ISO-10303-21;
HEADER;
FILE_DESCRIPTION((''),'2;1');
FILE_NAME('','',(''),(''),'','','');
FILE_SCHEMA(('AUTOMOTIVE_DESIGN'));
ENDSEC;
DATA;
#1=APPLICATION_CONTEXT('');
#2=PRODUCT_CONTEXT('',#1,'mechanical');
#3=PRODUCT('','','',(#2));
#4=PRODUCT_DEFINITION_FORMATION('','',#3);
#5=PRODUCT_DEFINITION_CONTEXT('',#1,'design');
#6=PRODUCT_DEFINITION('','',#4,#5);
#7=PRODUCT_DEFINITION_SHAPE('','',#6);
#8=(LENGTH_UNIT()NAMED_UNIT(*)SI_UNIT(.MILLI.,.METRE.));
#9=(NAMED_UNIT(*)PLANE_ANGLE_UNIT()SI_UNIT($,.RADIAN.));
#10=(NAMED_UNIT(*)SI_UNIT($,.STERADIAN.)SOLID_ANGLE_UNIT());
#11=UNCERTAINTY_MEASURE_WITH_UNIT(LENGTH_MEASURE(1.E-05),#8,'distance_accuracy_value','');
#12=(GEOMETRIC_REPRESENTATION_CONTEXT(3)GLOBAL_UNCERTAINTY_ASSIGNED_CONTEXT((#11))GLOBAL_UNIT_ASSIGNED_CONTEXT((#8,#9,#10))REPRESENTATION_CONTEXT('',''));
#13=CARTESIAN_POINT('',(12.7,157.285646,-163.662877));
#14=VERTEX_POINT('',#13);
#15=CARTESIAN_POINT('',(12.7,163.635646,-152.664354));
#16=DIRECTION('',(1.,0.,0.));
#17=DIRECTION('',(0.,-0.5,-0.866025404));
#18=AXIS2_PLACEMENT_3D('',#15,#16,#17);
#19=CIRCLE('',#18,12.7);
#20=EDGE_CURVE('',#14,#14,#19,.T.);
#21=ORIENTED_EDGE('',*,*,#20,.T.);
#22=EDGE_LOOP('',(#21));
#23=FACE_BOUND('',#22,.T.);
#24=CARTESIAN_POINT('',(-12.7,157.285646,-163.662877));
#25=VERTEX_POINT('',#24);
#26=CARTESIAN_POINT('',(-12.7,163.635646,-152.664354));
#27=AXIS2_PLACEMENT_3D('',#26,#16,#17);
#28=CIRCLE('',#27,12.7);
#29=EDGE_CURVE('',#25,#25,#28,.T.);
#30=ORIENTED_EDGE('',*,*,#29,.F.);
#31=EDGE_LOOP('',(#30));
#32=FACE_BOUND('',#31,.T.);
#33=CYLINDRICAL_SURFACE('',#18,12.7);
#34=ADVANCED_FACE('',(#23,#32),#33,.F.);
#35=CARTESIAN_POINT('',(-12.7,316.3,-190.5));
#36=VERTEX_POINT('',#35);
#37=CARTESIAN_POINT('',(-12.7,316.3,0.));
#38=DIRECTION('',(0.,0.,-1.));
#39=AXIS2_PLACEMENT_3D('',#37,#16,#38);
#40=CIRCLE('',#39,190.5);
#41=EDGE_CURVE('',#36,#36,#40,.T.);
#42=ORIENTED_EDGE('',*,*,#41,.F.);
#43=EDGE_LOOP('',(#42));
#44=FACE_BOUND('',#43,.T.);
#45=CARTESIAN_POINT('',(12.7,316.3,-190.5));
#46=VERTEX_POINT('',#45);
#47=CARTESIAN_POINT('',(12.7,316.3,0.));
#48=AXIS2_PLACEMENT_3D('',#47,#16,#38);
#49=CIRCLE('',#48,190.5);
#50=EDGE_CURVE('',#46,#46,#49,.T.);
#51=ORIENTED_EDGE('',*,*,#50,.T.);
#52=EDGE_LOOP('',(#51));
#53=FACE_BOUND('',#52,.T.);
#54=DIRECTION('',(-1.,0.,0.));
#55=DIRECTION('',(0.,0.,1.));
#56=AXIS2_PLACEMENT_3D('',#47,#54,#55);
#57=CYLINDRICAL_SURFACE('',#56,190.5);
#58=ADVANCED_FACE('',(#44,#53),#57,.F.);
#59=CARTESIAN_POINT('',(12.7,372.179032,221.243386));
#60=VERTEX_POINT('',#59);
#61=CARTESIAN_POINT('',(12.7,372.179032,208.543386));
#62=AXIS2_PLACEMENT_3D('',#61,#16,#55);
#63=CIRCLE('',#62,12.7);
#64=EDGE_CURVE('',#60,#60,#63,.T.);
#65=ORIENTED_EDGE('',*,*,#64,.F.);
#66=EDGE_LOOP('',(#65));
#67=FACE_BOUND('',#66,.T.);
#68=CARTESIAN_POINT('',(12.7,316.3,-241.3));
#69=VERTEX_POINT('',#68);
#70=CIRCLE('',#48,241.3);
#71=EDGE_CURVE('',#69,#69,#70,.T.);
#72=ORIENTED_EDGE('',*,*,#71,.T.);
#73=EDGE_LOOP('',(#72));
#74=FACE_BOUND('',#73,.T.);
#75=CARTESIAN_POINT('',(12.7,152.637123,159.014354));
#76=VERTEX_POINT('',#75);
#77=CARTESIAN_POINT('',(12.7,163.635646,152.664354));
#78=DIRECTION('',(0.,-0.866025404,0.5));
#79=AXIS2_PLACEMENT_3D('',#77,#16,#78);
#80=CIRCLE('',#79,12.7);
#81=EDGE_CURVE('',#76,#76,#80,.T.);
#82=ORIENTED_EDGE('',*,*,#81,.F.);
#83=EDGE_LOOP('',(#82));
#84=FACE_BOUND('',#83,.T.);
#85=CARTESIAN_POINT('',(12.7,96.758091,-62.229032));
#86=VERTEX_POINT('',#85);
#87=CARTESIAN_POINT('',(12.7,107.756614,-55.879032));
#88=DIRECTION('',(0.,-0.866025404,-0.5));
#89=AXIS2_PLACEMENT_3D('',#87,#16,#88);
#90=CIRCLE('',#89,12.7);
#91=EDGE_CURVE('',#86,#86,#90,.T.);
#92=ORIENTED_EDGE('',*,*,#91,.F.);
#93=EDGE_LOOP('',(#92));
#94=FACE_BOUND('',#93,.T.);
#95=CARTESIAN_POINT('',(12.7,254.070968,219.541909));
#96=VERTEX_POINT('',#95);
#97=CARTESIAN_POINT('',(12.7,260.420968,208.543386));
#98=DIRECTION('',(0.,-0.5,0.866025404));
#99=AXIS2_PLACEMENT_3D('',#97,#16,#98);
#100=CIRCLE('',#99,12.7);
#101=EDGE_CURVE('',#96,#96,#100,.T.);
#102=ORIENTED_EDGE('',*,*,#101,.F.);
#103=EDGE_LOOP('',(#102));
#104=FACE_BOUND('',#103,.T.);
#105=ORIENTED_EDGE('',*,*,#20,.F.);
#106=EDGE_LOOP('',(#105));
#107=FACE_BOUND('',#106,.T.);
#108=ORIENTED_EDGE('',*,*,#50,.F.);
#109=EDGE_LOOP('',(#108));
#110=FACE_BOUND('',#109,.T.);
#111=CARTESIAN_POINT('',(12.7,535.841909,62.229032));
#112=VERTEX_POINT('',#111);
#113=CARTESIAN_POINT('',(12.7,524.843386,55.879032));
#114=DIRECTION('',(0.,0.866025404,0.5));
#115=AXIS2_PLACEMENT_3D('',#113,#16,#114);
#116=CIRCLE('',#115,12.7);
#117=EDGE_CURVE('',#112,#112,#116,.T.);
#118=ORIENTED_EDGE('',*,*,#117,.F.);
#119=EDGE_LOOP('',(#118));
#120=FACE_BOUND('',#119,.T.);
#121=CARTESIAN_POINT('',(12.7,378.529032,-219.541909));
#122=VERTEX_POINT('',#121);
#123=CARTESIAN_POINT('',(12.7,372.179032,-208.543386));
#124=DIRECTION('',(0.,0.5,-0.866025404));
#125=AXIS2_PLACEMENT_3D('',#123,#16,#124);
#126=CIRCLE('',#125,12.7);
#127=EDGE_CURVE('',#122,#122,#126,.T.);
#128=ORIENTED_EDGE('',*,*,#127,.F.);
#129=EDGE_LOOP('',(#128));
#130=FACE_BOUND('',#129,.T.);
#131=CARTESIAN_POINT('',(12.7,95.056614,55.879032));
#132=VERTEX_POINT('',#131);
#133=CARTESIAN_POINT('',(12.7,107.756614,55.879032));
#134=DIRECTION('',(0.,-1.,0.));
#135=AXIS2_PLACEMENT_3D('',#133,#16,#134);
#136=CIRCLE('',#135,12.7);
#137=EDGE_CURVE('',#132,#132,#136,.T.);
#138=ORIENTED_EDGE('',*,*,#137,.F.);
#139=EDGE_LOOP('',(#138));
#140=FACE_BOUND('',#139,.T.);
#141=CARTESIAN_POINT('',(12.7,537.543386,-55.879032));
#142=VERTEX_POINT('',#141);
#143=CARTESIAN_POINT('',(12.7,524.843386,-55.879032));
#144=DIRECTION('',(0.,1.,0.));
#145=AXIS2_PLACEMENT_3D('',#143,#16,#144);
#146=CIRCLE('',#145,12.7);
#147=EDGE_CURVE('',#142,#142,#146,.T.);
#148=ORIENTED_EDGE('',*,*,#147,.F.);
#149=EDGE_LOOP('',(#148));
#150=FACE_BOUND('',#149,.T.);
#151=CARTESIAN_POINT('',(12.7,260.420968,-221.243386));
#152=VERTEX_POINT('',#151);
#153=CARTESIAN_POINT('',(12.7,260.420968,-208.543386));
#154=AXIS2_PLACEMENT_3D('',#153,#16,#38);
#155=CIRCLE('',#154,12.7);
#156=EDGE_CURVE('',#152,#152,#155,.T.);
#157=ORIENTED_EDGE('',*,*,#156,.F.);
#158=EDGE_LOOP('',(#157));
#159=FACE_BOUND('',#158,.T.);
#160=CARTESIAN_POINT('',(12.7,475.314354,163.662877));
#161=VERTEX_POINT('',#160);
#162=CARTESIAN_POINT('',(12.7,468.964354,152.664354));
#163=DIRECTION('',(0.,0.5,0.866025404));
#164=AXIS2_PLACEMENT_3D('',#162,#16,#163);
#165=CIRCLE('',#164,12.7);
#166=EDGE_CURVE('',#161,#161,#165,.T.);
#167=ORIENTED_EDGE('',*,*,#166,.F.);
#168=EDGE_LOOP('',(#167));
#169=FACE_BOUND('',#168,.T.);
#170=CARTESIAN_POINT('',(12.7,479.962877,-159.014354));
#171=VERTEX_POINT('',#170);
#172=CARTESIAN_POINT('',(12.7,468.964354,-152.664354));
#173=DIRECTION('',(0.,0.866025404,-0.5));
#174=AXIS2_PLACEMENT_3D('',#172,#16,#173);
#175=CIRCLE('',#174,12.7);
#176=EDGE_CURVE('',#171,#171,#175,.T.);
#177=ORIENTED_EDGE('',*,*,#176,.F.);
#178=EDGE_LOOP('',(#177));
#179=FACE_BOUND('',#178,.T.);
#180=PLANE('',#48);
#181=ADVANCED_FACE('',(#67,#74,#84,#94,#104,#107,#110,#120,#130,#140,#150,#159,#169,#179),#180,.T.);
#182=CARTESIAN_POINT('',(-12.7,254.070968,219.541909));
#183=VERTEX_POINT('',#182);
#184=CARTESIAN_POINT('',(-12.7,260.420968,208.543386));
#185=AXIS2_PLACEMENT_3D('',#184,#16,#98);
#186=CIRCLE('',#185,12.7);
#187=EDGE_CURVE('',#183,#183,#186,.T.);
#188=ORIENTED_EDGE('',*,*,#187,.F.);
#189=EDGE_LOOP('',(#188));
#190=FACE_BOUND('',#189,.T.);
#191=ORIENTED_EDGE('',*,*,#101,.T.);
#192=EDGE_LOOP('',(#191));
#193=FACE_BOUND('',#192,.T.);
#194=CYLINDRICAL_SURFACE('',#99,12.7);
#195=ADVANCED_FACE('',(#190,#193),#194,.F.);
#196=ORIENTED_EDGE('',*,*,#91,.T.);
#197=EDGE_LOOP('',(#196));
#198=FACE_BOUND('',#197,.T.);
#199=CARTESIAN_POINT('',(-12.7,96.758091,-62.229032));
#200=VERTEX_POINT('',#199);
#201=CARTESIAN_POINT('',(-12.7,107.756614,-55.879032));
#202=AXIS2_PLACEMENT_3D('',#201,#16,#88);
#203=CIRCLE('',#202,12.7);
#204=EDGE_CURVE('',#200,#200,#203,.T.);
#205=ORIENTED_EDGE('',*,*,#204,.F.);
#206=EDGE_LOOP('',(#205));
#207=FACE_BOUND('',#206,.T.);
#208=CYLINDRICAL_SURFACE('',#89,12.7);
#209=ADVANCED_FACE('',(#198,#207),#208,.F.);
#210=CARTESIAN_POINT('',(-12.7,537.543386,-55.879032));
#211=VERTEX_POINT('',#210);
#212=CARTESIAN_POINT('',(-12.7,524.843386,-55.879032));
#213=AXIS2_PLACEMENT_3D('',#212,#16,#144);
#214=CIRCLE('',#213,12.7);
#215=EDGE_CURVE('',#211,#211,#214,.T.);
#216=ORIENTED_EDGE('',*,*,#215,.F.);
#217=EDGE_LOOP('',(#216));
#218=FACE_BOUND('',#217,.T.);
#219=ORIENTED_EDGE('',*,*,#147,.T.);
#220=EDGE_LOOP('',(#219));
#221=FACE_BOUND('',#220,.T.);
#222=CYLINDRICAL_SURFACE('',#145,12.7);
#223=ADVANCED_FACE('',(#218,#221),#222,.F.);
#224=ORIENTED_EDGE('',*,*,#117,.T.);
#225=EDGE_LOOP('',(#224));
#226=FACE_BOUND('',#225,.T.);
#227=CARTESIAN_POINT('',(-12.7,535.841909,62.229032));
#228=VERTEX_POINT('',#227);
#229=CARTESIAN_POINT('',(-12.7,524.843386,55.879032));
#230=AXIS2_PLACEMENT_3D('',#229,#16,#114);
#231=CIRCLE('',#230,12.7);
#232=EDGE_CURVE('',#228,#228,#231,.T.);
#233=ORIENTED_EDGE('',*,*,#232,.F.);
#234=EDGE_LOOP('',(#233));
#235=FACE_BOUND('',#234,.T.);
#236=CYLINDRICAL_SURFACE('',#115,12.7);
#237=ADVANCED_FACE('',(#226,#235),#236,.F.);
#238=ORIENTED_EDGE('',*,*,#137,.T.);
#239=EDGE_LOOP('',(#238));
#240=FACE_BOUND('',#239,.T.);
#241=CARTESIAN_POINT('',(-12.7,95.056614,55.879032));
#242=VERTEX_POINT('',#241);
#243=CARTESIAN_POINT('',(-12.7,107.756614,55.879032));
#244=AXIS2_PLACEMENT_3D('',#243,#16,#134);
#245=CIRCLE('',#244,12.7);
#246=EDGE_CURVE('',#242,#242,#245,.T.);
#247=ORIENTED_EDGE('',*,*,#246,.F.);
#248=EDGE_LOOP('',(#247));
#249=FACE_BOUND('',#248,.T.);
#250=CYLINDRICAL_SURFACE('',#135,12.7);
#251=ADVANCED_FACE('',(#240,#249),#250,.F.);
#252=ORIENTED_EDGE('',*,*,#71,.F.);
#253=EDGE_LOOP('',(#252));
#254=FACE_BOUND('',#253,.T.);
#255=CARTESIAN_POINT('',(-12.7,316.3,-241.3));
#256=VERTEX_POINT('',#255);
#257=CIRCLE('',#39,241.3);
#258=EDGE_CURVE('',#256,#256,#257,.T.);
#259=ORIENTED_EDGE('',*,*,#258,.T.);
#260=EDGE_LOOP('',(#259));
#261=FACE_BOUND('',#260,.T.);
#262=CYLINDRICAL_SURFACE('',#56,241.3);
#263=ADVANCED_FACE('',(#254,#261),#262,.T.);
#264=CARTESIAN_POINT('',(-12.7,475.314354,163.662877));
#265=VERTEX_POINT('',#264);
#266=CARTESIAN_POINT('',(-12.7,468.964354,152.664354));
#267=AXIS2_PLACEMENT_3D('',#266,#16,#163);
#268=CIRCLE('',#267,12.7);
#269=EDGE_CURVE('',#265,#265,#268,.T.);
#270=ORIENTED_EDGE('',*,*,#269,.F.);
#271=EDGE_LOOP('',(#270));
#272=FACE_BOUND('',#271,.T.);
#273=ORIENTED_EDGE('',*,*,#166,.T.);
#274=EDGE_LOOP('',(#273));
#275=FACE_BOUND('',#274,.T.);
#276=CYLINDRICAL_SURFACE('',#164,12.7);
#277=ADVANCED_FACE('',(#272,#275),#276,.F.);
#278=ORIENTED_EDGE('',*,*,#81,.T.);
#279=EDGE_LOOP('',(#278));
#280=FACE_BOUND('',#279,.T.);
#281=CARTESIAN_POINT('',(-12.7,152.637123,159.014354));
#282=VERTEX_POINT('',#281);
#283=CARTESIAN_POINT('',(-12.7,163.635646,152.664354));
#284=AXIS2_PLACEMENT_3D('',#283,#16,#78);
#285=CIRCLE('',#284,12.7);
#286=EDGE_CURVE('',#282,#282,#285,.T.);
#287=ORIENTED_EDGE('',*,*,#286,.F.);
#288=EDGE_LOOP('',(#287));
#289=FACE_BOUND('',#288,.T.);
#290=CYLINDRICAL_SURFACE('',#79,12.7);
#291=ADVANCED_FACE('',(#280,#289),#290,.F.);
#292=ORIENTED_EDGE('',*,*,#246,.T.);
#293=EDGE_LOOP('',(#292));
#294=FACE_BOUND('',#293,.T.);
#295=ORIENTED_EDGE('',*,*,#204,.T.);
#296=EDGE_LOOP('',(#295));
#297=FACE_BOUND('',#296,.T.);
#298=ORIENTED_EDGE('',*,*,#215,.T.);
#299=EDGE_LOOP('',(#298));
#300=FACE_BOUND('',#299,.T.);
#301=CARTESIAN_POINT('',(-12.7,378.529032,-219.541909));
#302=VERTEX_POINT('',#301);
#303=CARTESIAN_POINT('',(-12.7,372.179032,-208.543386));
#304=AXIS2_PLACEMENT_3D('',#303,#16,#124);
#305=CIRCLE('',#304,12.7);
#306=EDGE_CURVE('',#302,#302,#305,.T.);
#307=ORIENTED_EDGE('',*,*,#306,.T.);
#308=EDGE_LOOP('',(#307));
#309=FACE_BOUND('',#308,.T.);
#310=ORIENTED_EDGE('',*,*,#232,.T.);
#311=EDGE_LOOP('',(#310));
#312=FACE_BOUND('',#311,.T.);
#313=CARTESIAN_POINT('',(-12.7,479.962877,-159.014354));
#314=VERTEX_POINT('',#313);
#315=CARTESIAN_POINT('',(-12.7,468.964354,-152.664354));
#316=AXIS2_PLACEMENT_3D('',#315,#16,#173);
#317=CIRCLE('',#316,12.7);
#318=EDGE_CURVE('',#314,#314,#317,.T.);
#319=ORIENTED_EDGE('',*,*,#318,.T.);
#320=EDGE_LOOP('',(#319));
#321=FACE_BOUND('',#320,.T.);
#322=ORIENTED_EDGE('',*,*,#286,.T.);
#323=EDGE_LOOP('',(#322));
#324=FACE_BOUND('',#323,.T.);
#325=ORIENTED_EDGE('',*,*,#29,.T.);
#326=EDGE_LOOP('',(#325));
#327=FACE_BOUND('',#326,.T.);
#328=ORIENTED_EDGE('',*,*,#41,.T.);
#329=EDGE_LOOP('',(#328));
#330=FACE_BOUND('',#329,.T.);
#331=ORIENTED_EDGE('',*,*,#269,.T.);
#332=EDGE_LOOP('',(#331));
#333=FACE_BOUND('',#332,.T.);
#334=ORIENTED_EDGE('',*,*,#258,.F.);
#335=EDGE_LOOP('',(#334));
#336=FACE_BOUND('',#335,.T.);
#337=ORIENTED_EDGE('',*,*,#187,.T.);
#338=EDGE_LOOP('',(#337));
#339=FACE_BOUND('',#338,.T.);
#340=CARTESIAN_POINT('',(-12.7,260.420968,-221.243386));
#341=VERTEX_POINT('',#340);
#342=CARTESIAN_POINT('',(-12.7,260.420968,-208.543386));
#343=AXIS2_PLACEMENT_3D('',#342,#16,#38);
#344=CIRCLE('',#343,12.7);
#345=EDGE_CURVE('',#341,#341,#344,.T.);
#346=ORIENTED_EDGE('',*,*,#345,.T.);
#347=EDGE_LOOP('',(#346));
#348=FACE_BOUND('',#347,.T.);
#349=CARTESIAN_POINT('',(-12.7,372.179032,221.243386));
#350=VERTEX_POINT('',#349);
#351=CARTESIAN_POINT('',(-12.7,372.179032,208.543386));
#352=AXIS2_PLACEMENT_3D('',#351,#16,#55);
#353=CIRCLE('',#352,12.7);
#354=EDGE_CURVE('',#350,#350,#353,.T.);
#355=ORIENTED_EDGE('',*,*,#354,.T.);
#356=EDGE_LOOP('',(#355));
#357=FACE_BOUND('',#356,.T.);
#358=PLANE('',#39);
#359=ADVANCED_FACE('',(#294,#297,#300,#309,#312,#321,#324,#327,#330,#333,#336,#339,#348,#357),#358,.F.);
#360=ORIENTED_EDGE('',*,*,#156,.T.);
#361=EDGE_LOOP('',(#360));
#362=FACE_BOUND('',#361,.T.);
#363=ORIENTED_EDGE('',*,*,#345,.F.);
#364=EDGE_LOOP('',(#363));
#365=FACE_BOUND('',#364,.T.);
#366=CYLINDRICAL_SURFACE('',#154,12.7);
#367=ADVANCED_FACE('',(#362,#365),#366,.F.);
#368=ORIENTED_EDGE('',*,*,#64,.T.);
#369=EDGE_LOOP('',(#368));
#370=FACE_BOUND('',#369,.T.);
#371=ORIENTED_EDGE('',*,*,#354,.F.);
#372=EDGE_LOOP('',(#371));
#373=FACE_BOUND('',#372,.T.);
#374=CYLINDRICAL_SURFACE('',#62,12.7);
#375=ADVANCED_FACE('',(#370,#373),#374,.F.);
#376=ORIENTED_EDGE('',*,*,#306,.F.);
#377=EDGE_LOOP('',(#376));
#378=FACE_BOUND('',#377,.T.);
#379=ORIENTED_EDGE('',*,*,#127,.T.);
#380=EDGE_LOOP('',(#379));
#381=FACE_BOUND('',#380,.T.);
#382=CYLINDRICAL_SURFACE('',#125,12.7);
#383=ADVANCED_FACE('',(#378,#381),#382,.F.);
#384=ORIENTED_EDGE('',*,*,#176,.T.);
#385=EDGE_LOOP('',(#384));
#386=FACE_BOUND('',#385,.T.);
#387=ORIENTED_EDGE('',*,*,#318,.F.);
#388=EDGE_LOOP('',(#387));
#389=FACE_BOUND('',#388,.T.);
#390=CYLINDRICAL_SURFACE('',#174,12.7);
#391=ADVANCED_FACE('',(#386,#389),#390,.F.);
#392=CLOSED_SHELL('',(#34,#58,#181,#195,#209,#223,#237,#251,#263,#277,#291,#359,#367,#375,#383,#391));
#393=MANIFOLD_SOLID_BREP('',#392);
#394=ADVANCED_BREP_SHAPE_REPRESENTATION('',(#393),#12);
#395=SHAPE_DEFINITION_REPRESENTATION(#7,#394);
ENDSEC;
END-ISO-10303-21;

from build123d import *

# Parameters (mm, degrees)
SKETCH6_R                = 241.3
SKETCH6_R_2              = 190.5
BOSS_EXTRUDE1_DEPTH      = 12.7
F_7_8_1_DIAMETER_HOLE1_D = 25.4
CIRPATTERN1_COUNT        = 12


with BuildPart() as part:
    # Sketch6 → Boss-Extrude1 (new, symmetric)
    with BuildSketch(Plane(origin=(0, 0, 0), x_dir=(0, 0, -1), z_dir=(1, 0, 0))):
        with Locations((0, 316.3)):
            Circle(SKETCH6_R)
        with Locations((0, 316.3)):
            Circle(SKETCH6_R_2, mode=Mode.SUBTRACT)
    extrude(amount=BOSS_EXTRUDE1_DEPTH, both=True)

    # 7/8 (1) Diameter Hole1 (through all)
    with Locations(Plane(origin=(12.7, 0, 0), x_dir=(0, 0, -1), z_dir=(1, 0, 0))):
        with Locations((208.543385896, 260.420968162)):
            f_7_8_1_diameter_hole1 = Hole(F_7_8_1_DIAMETER_HOLE1_D / 2)

    # CirPattern1: 7/8 (1) Diameter Hole1 ×12 about axis
    cirpattern1_axis = Axis((12.7, 316.3, 0), (-1, 0, 0))
    for i in range(1, CIRPATTERN1_COUNT):
        add(f_7_8_1_diameter_hole1.rotate(cirpattern1_axis, i * 360 / CIRPATTERN1_COUNT), mode=Mode.SUBTRACT)


solid = part.part
